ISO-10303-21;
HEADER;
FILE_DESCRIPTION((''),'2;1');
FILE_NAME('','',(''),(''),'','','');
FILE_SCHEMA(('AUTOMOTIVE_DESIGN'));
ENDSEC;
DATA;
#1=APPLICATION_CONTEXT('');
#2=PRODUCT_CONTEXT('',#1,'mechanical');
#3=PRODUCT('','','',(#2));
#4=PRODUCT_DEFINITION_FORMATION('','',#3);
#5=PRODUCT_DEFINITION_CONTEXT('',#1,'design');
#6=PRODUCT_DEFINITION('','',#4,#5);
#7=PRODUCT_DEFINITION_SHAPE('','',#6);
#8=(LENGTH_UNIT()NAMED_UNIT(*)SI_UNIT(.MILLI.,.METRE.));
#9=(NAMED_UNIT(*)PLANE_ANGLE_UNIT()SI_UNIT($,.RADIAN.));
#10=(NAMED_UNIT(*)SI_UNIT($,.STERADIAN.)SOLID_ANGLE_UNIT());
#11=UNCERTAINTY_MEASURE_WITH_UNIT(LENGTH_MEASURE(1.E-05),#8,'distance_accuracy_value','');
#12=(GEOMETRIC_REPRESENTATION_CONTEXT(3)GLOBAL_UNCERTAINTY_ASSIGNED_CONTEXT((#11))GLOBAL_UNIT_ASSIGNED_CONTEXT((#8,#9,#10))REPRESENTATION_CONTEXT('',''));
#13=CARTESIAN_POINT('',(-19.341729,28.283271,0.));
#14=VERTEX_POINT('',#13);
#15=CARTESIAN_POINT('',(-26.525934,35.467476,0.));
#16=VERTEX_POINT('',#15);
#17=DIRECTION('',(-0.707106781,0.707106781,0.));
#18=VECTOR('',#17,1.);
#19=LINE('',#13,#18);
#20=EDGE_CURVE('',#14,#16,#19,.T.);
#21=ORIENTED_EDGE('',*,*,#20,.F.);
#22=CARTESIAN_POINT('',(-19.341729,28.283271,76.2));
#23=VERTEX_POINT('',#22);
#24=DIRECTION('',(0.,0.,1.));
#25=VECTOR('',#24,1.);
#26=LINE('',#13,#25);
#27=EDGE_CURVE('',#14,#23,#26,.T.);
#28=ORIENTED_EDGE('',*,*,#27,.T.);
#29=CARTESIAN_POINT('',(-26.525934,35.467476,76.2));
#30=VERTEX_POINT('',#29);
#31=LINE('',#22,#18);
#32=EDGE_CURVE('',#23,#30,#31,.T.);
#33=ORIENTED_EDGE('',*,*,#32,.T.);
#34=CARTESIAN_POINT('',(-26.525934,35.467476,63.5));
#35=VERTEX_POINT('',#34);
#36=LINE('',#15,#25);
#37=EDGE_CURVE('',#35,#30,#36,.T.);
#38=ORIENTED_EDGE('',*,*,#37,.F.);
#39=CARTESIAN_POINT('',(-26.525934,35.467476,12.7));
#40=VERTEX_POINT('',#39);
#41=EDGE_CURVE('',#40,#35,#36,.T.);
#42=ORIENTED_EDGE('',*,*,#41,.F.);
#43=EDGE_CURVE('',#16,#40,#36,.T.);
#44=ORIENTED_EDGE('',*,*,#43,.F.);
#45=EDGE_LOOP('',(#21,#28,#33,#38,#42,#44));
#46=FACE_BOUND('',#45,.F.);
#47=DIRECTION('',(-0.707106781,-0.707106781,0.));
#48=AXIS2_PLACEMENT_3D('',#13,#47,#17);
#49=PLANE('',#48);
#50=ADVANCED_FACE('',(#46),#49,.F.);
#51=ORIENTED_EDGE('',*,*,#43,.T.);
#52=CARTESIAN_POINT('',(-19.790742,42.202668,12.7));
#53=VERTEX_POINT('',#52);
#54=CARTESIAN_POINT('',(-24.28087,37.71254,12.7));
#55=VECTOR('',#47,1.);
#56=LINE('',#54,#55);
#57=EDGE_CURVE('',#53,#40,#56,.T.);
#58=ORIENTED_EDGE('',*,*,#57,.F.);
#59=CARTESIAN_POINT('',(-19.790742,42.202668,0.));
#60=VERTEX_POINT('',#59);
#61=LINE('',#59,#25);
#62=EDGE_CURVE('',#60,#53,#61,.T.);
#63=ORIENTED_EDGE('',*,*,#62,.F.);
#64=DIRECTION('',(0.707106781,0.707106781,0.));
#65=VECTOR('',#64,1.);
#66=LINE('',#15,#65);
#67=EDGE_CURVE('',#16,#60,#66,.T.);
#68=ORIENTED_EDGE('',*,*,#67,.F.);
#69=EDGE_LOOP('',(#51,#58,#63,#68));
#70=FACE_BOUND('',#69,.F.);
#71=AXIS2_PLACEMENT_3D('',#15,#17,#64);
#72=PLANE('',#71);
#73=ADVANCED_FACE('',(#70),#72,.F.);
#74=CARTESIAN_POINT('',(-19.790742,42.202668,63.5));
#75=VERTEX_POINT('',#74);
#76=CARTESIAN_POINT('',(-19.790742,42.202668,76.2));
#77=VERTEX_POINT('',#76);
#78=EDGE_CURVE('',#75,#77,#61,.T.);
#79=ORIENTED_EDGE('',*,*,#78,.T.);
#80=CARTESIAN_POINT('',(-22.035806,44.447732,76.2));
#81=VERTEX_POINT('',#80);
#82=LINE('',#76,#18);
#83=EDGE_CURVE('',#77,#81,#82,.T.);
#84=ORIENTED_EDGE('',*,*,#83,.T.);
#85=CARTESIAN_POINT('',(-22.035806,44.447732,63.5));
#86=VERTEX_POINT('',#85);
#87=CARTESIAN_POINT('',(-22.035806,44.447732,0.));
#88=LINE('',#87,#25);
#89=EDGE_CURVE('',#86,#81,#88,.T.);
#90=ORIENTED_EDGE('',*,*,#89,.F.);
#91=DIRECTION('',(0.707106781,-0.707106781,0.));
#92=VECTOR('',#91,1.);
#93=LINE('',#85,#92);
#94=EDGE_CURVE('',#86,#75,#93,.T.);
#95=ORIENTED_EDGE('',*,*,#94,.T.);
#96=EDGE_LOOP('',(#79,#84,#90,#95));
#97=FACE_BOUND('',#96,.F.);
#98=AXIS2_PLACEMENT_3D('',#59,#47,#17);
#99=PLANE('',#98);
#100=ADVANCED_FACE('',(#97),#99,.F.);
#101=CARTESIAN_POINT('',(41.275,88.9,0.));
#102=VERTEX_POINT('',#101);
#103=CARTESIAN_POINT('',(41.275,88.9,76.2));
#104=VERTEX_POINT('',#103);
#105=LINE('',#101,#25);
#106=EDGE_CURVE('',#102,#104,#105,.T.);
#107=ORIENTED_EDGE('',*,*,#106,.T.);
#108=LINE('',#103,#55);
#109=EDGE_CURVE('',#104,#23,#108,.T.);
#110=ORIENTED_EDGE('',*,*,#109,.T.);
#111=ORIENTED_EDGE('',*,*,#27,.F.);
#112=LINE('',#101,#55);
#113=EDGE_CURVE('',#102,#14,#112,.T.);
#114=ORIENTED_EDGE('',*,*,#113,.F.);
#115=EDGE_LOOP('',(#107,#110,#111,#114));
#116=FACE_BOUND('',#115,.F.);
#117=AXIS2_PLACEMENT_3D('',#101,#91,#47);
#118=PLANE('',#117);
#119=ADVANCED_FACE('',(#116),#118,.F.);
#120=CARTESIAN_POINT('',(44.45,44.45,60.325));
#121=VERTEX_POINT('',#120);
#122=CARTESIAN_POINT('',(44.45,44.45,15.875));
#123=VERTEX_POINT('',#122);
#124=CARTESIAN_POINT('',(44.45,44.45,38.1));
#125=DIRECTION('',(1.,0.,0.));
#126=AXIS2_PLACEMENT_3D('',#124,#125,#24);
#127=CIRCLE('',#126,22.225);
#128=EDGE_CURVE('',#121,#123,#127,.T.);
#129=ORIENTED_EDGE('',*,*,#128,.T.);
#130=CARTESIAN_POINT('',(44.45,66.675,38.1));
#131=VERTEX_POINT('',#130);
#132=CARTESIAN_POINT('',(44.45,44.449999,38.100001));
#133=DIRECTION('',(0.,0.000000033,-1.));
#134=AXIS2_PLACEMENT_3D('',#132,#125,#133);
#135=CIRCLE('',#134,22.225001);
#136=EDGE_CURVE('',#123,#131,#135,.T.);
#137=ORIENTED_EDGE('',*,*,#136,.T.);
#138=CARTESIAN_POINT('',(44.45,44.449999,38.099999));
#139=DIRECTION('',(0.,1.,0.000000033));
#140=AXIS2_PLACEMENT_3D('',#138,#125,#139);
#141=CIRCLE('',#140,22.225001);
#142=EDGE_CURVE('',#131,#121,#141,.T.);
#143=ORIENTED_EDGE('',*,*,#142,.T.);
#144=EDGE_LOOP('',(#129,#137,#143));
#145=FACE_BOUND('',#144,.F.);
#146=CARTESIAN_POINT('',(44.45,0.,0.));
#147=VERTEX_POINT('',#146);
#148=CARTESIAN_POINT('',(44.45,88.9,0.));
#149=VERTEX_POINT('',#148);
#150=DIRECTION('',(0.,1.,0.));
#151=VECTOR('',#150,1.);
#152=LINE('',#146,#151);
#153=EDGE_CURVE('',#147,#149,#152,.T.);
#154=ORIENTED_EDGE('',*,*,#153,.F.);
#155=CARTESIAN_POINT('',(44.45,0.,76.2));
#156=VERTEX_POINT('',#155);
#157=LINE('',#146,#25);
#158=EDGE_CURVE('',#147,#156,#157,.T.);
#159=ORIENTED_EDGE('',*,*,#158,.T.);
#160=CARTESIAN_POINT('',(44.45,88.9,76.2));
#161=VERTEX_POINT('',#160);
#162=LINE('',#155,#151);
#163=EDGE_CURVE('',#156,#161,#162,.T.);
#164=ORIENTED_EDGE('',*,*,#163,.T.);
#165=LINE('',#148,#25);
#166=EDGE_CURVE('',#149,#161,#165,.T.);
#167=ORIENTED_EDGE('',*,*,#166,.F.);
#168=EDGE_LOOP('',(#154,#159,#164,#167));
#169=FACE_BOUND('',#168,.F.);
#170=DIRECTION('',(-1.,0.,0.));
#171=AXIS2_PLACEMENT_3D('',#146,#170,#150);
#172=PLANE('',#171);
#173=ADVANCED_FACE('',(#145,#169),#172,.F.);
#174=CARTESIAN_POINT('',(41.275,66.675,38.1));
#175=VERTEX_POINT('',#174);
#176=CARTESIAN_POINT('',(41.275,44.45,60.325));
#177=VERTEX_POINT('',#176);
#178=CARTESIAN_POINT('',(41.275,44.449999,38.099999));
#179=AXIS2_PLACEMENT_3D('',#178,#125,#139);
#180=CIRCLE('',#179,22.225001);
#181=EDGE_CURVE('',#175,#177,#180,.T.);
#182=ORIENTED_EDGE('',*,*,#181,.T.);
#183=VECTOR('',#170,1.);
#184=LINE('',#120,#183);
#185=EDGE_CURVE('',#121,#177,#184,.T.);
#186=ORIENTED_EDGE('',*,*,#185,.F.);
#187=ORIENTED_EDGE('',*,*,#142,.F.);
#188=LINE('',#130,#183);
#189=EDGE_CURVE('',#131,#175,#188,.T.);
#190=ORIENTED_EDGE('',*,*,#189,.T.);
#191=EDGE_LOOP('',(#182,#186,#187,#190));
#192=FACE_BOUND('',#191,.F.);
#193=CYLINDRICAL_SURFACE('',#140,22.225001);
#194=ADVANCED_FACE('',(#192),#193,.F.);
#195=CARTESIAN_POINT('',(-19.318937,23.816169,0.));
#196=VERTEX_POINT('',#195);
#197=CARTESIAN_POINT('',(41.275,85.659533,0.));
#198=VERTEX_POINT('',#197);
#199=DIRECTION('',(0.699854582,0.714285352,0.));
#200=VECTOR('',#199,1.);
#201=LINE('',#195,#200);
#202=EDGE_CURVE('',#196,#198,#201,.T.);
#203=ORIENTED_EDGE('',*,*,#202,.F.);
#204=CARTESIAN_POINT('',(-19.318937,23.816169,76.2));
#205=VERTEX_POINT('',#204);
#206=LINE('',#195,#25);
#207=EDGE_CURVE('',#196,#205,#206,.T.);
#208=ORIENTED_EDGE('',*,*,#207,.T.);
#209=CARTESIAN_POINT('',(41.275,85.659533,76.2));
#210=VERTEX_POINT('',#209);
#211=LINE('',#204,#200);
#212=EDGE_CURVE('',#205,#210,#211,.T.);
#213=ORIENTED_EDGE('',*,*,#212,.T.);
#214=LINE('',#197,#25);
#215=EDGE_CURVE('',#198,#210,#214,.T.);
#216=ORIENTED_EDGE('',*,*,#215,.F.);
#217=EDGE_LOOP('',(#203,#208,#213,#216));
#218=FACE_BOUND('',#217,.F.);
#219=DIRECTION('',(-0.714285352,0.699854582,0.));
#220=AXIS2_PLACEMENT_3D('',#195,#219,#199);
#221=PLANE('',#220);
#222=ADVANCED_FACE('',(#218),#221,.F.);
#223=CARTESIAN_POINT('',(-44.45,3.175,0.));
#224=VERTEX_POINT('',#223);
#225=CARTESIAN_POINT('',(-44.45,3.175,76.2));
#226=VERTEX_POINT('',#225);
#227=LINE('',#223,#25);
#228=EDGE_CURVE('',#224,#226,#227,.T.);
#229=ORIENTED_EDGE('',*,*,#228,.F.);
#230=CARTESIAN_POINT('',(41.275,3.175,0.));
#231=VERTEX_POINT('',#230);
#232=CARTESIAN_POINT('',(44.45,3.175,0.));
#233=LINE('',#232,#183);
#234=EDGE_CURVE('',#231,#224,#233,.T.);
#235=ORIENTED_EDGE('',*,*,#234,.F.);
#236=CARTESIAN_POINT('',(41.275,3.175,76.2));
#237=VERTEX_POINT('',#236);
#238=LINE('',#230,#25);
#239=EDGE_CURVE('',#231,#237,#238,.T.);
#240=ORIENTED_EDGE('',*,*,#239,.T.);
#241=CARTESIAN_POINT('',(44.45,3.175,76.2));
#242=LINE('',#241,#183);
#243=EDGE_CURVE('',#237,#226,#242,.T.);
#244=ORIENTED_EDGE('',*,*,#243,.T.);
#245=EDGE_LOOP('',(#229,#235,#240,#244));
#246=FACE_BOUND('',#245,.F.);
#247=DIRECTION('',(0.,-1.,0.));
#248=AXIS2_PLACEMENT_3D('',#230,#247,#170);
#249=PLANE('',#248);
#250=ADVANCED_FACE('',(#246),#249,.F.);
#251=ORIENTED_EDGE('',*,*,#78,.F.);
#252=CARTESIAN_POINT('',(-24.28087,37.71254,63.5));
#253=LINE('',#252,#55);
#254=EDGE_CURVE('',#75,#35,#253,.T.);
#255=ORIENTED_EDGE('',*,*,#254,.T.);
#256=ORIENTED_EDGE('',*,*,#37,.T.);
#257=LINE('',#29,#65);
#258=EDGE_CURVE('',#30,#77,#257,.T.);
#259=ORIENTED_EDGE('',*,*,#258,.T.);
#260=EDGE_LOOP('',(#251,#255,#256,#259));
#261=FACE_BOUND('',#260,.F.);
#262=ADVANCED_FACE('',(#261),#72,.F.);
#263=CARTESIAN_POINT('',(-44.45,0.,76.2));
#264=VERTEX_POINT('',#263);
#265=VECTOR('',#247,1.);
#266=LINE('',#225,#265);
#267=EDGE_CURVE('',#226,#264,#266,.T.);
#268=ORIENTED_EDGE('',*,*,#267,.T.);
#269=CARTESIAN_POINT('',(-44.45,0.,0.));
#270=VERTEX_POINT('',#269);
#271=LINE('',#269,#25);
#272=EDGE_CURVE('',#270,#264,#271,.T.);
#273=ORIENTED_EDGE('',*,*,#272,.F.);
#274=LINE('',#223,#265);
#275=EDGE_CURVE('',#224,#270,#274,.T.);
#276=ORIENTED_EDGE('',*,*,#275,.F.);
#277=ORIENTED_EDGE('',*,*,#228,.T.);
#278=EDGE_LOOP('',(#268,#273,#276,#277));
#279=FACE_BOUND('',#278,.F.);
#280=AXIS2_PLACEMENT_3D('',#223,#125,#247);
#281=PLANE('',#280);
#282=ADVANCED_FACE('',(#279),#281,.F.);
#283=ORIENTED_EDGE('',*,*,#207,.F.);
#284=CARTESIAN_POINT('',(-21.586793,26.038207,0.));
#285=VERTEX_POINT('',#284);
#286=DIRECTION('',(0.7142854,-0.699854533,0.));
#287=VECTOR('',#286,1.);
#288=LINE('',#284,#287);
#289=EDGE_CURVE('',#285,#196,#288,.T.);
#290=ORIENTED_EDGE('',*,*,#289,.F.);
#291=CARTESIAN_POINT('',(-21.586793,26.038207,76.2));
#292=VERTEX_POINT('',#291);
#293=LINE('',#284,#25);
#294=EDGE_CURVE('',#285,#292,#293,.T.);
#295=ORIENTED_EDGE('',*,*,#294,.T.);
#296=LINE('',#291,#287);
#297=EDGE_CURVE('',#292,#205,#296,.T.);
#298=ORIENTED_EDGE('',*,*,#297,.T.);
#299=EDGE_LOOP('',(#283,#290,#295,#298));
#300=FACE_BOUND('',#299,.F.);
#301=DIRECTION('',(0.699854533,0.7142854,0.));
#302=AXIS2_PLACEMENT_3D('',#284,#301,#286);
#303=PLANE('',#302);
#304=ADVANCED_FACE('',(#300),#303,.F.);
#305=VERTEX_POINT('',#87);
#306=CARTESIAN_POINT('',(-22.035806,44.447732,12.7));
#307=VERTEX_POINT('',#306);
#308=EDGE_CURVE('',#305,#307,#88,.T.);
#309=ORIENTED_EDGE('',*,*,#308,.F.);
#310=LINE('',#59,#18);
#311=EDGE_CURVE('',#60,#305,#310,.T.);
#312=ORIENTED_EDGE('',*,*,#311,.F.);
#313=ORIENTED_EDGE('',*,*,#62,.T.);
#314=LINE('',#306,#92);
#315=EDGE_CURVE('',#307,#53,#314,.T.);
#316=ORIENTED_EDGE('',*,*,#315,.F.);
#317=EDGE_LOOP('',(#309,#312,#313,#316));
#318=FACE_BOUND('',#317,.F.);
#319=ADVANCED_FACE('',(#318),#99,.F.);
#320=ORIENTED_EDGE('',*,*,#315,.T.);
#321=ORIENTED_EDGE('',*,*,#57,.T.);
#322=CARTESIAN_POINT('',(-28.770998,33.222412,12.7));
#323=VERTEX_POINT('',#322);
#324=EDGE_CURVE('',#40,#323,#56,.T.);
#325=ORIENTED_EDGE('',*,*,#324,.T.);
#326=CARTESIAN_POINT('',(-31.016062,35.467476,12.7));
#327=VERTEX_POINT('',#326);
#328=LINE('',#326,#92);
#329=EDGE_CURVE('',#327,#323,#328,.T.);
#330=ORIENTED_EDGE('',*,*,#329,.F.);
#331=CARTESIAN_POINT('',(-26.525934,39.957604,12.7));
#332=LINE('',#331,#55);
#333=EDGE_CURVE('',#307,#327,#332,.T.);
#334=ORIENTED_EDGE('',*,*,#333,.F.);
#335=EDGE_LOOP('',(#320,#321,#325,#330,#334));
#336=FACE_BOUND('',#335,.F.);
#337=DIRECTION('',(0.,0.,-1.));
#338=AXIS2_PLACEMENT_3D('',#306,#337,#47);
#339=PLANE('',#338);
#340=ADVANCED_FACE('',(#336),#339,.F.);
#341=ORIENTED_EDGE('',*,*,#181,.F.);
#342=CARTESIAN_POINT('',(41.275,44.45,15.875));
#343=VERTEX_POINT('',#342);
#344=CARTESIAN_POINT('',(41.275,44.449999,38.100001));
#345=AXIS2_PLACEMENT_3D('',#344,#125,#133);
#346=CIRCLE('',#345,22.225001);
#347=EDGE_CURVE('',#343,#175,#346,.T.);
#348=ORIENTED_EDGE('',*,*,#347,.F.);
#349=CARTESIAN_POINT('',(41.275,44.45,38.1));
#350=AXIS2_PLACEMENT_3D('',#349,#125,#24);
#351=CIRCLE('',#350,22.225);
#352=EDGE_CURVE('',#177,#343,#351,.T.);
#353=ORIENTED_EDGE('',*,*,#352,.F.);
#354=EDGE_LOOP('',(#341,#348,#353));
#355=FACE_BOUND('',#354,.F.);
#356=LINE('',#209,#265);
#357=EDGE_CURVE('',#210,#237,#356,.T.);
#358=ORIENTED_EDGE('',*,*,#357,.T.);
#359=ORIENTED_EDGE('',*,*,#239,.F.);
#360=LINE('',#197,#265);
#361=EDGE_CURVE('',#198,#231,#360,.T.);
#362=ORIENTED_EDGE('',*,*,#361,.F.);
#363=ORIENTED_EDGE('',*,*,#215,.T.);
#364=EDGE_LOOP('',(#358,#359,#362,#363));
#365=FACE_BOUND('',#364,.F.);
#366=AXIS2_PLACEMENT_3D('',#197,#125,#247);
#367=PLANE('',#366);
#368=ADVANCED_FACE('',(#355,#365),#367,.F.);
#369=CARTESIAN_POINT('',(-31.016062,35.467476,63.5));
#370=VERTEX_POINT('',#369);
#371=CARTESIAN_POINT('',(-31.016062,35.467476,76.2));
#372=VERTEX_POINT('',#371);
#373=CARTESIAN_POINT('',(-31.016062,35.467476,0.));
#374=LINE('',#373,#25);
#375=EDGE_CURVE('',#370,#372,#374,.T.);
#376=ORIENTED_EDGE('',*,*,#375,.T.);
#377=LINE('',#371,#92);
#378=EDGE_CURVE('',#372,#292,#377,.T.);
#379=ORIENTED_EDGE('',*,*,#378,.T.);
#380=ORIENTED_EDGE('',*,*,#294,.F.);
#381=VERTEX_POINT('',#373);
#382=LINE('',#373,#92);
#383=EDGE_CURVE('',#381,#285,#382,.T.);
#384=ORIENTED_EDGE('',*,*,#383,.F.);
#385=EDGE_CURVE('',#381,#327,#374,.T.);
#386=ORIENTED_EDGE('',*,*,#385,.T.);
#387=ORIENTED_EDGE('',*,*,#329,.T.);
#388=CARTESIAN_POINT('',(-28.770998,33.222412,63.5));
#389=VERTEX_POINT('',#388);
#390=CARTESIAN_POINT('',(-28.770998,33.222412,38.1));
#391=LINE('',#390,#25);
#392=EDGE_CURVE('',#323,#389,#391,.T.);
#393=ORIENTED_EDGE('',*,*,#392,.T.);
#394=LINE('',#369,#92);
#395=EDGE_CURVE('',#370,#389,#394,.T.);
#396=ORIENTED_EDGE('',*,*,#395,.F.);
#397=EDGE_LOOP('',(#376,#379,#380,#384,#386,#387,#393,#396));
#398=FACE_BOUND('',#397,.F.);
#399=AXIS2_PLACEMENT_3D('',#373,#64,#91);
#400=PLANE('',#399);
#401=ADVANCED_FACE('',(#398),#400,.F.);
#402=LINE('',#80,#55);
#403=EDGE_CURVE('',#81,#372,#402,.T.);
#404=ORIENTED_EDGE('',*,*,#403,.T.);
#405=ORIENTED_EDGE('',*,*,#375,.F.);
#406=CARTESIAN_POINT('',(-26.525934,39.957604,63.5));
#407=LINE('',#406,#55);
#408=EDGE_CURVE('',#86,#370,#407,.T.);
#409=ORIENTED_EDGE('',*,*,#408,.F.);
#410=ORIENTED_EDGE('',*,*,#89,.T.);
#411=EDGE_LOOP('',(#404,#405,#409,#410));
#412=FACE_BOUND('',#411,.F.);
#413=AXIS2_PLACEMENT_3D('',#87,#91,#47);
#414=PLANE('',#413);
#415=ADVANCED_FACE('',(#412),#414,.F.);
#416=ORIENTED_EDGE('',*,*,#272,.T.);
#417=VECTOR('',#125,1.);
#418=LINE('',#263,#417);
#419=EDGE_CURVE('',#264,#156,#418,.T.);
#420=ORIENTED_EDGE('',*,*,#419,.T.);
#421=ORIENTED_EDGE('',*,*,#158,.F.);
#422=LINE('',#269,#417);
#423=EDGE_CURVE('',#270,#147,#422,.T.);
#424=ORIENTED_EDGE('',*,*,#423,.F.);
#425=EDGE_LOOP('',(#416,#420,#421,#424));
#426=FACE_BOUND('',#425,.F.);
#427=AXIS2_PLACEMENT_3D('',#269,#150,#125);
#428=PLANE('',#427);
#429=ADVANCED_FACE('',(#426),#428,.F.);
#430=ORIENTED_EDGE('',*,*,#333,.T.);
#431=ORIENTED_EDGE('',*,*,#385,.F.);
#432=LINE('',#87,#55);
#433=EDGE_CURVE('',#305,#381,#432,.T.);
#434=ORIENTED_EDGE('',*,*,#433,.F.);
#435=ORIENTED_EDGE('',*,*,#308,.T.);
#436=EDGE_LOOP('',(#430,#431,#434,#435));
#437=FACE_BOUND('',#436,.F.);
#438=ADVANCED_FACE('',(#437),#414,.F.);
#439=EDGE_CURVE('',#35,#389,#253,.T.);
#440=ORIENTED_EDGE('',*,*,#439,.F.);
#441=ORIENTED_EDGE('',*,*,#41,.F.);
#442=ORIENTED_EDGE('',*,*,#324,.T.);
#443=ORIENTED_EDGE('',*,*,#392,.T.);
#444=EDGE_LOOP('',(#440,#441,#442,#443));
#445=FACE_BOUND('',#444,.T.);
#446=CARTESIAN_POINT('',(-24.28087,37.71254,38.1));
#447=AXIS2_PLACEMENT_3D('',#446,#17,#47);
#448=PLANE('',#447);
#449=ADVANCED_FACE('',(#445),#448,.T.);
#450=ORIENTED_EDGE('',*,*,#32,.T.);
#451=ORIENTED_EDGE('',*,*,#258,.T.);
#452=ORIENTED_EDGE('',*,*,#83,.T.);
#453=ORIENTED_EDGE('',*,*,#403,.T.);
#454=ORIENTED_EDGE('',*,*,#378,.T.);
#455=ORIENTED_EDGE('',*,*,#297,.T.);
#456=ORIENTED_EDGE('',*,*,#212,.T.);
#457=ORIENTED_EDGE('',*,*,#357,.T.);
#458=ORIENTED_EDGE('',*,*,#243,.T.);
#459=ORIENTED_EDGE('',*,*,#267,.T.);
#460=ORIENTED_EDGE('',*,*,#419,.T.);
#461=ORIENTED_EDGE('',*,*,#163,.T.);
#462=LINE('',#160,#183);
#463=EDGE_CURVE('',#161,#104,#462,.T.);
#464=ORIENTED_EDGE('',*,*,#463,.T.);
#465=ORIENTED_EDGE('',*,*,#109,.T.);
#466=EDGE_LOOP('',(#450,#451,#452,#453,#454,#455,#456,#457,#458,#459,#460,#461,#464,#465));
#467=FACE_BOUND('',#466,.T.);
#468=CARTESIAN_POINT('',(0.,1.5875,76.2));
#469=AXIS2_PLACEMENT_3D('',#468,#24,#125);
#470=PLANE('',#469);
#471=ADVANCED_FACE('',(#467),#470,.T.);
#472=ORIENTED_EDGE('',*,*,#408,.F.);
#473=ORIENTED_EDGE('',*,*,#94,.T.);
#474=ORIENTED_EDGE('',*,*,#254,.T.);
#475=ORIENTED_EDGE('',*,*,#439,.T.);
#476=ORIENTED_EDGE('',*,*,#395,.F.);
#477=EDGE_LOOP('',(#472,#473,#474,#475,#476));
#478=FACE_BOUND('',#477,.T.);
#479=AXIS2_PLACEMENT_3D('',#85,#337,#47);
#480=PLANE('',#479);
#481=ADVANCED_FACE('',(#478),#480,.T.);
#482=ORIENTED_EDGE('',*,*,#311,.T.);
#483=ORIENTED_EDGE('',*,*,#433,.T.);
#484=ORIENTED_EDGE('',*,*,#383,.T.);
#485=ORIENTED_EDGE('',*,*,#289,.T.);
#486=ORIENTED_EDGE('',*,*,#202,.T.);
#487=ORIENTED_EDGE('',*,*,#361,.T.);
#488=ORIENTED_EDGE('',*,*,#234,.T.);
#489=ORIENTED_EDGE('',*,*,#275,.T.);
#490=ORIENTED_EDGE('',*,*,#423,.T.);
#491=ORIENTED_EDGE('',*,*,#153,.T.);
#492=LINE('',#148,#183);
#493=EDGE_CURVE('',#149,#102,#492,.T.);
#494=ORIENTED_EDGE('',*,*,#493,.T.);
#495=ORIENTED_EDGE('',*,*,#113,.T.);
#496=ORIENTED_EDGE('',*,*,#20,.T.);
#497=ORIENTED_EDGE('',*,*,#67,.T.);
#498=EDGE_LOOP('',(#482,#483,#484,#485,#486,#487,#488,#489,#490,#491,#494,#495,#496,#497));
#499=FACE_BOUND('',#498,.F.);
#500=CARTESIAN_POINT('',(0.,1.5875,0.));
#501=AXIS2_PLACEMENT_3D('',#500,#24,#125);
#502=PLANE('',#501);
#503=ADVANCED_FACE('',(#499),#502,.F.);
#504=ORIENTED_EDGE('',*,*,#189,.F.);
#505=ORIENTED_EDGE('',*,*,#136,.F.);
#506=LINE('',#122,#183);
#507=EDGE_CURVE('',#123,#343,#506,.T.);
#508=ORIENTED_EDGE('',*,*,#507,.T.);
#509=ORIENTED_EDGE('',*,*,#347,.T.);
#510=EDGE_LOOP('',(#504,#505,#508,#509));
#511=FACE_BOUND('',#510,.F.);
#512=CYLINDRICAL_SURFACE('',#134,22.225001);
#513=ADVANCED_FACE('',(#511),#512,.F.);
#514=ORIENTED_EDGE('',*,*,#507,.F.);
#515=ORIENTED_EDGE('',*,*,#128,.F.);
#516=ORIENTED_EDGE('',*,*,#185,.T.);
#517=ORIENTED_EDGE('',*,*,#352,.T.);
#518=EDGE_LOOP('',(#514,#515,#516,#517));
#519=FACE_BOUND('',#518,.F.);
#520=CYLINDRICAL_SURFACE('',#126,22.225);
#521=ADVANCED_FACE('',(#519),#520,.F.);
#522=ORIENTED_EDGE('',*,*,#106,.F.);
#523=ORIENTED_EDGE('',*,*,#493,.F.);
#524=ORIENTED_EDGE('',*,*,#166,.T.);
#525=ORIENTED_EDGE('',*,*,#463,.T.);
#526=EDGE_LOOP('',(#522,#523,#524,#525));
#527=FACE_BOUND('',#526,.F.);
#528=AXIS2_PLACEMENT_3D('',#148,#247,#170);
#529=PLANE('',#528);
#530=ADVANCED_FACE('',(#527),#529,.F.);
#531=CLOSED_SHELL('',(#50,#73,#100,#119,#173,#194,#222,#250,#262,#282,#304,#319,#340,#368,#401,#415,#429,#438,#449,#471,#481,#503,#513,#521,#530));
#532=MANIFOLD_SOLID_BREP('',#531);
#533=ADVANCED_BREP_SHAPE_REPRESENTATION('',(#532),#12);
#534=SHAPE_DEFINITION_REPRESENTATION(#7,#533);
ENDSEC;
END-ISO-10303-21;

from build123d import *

# Parameters (mm, degrees)
F2_DEPTH = 76.2
F3_W     = 12.7
F3_H     = 50.8
F4_DEPTH = 3.175
F6_DEPTH = 12.7


with BuildPart() as f2:
    # F1 (on Top) → F2 (new body)
    with BuildSketch(Plane.XY):
        Polygon((-44.45, 3.175), (-44.45, 0), (44.45, 0), (44.45, 3.175), (41.275, 3.175), align=None)
        Polygon((41.275, 3.175), (44.45, 3.175), (44.45, 88.9), (41.275, 85.659533), align=None)
        Polygon((-19.318937, 23.816169), (41.275, 85.659533), (41.275, 88.9), (-19.341729, 28.283271), (-21.586793, 26.038207), align=None)
        Polygon((-21.586793, 26.038207), (-19.341729, 28.283271), (-26.525934, 35.467476), (-19.790742, 42.202668), (-22.035806, 44.447732), (-31.016062, 35.467476), align=None)
        Polygon((41.275, 85.659533), (44.45, 88.9), (41.275, 88.9), align=None)
    extrude(amount=F2_DEPTH)

    # F3 (on face) → F4 (cut)
    with BuildSketch(Plane(origin=(-33.241769, 33.241769, 0), x_dir=(-0.707107, -0.707107, 0), z_dir=(-0.707107, 0.707107, 0))):
        with Locations((-9.497625, 38.1)):
            Rectangle(F3_W, F3_H)
    extrude(amount=-F4_DEPTH, mode=Mode.SUBTRACT)

    # F5 (on face) → F6 (cut)
    with BuildSketch(Plane.YZ.offset(44.45)):
        with BuildLine():
            ThreePointArc((44.45, 15.875), (60.165448, 22.384552), (66.675, 38.1))
            ThreePointArc((66.675, 38.1), (60.165448, 53.815448), (44.45, 60.325))
            Line((44.45, 60.325), (44.45, 15.875))
        make_face()
        with BuildLine():
            Line((44.45, 15.875), (44.45, 60.325))
            ThreePointArc((44.45, 60.325), (22.225, 38.1), (44.45, 15.875))
        make_face()
    extrude(amount=-F6_DEPTH, mode=Mode.SUBTRACT)


solid = f2.part
